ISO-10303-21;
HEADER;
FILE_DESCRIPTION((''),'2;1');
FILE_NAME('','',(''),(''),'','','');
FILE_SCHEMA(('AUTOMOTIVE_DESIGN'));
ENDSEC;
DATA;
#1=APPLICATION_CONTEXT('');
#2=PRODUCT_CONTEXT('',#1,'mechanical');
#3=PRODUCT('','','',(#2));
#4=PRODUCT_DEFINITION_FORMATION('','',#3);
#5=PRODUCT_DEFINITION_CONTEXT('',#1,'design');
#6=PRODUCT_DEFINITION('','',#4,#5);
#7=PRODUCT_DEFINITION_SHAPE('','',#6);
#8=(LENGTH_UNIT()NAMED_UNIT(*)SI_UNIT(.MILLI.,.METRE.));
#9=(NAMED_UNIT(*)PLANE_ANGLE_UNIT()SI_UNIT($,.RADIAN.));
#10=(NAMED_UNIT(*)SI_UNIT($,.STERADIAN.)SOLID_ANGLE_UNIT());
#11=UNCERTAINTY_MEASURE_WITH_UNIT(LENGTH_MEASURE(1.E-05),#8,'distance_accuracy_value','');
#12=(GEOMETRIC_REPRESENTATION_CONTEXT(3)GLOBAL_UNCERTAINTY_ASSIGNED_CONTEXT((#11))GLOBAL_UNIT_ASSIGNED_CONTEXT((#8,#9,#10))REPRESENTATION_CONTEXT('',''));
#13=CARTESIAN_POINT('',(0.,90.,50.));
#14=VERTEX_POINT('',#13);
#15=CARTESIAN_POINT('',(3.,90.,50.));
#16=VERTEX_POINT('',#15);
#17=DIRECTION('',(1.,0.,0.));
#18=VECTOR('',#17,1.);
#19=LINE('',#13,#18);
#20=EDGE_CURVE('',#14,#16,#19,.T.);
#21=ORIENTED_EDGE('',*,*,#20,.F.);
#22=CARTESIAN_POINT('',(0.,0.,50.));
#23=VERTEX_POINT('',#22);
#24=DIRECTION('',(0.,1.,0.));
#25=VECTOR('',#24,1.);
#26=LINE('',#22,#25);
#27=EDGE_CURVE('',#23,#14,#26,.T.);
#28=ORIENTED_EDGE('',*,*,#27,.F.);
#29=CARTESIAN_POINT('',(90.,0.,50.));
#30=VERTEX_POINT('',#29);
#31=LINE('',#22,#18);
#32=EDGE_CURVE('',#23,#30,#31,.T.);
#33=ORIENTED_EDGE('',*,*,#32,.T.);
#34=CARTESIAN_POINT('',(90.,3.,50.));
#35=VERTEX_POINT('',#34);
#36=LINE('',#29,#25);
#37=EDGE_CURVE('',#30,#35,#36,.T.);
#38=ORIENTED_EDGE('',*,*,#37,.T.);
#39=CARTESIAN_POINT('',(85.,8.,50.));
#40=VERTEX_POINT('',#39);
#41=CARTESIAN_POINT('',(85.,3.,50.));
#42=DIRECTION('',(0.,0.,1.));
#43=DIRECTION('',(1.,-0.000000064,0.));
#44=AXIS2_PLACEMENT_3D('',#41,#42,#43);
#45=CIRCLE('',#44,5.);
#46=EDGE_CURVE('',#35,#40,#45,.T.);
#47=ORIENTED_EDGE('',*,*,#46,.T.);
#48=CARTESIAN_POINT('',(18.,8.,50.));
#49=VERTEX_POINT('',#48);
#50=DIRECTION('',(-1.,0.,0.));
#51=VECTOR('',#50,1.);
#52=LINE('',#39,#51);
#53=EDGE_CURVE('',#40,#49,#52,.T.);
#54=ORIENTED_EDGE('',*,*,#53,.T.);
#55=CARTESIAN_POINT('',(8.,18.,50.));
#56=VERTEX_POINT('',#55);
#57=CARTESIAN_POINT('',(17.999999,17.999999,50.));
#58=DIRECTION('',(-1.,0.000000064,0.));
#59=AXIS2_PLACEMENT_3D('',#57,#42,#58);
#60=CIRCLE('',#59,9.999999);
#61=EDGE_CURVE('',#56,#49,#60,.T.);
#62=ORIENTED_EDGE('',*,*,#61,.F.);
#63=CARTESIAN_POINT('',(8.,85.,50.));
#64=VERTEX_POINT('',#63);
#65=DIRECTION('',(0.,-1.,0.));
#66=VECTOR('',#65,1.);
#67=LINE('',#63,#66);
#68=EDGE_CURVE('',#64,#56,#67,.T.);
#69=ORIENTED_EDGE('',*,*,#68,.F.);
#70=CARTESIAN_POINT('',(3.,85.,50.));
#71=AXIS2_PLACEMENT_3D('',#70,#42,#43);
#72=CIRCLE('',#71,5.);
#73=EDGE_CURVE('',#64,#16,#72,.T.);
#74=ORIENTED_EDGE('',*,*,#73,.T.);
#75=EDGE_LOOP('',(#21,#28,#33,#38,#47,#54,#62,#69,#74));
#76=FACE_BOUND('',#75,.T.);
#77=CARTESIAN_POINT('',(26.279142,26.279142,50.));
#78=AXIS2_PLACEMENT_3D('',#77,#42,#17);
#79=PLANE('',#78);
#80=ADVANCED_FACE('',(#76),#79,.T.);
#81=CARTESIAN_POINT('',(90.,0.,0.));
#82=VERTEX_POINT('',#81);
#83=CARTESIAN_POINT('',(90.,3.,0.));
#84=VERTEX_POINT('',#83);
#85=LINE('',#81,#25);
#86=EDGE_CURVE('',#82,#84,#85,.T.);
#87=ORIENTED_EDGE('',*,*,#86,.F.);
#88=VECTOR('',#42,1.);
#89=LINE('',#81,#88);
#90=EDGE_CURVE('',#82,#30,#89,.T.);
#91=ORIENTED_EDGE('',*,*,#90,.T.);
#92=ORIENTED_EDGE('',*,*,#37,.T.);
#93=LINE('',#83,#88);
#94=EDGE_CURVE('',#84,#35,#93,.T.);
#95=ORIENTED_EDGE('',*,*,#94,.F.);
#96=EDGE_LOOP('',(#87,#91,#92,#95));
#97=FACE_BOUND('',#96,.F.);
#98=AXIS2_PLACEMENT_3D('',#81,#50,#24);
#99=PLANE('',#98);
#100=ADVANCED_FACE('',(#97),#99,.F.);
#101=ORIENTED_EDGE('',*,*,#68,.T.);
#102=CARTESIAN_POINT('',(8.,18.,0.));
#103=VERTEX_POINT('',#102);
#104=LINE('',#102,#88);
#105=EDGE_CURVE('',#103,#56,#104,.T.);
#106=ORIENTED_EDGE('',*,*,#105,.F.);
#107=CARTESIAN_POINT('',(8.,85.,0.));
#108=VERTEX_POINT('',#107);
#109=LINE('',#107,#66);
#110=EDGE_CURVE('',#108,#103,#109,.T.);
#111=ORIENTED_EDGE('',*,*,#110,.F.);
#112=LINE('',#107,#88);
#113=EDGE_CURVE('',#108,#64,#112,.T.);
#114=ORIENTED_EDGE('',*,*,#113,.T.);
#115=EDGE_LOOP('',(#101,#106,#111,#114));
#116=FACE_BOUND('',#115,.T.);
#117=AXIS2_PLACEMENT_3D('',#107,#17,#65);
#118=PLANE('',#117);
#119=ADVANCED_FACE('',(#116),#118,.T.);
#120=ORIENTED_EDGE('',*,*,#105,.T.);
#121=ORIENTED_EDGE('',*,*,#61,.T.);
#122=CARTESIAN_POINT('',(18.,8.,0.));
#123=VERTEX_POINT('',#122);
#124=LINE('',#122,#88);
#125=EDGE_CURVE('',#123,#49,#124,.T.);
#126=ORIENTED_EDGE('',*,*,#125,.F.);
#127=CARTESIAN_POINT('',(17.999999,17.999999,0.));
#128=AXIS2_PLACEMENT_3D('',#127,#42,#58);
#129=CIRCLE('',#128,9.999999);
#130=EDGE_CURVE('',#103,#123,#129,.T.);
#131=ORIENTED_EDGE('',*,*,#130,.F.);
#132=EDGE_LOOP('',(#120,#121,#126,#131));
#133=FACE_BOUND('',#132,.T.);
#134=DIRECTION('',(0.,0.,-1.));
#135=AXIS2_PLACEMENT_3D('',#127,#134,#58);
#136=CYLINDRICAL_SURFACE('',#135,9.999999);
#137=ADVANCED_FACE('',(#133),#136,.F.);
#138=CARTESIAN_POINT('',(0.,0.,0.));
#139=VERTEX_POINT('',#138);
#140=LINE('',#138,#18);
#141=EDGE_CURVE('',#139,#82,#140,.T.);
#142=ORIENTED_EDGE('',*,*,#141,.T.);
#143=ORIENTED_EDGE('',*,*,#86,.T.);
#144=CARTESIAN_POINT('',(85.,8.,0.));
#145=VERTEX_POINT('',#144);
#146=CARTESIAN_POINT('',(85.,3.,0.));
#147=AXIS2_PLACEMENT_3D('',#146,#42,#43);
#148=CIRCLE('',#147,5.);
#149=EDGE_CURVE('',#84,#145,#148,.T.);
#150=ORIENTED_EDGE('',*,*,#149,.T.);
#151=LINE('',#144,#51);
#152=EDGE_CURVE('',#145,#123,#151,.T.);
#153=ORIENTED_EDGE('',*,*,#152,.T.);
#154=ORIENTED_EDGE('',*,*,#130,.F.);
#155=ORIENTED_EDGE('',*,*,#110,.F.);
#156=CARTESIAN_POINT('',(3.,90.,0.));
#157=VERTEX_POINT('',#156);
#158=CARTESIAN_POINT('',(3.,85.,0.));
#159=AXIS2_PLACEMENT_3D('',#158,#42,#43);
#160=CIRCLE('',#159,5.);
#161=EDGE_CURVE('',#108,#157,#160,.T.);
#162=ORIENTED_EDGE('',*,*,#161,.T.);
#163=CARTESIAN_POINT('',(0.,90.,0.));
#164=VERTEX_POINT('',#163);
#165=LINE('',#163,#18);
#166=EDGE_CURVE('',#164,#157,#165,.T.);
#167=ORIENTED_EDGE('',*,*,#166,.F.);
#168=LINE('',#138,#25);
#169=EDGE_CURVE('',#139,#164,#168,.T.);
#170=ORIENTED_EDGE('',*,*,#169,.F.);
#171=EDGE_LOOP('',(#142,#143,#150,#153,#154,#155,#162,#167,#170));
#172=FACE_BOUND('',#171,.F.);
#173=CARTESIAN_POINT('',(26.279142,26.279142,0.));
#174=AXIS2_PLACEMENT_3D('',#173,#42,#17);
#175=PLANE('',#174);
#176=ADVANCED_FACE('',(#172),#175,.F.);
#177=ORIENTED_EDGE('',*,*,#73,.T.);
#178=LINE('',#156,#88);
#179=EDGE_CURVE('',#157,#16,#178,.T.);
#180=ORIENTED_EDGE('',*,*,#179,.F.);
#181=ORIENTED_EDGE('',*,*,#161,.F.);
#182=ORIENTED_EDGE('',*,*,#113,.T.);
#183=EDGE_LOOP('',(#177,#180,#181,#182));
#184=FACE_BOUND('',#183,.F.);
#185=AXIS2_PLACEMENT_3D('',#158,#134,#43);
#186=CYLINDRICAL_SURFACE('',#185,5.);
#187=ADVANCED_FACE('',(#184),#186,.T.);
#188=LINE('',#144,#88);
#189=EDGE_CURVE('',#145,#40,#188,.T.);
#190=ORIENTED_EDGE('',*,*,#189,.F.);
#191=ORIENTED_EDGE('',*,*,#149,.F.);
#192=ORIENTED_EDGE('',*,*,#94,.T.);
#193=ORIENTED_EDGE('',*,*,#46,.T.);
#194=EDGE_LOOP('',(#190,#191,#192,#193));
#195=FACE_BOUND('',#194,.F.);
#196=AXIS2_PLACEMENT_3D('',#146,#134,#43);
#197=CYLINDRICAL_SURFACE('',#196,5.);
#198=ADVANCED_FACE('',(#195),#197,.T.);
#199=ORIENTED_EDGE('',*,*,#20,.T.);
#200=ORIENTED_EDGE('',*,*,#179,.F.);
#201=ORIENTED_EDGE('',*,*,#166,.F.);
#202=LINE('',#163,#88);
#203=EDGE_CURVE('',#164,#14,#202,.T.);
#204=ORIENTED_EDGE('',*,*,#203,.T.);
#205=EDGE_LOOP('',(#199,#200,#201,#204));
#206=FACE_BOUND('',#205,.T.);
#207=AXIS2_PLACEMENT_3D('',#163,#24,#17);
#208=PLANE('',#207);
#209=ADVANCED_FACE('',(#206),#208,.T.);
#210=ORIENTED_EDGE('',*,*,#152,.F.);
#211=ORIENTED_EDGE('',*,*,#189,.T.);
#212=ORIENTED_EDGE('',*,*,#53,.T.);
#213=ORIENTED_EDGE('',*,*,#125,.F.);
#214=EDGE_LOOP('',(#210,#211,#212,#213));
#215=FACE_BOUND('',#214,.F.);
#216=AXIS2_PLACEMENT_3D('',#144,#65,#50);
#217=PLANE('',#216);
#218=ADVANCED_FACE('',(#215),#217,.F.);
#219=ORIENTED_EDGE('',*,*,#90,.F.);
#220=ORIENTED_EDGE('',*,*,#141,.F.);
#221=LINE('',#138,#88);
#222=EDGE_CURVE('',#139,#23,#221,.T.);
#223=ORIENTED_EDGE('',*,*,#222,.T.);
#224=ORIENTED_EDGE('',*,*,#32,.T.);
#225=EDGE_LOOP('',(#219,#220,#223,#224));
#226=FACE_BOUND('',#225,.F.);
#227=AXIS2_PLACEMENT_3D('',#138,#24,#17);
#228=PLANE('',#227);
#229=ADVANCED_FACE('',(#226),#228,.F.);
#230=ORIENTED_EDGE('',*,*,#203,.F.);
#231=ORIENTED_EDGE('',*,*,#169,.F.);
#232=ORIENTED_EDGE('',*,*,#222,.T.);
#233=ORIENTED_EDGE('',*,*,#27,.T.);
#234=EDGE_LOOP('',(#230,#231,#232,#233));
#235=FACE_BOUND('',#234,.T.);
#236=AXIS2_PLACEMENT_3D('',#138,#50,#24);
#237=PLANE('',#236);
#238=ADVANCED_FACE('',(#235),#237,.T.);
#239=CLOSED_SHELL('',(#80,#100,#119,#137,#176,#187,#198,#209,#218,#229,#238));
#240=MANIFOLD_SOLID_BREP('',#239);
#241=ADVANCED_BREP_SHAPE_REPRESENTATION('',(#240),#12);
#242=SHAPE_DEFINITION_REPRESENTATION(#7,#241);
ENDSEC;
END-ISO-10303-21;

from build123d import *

# Parameters (mm, degrees)
EXTRUDE_DEPTH = 50


with BuildPart() as part:
    # Sketch → Extrude (new body)
    with BuildSketch(Plane.XY):
        with BuildLine():
            Line((0, 0), (90, 0))
            Line((90, 0), (90, 3))
            ThreePointArc((90, 3), (88.535534, 6.535534), (85, 8))
            Line((85, 8), (18, 8))
            ThreePointArc((8, 18), (10.928932, 10.928932), (18, 8))
            Line((8, 85), (8, 18))
            ThreePointArc((8, 85), (6.535534, 88.535534), (3, 90))
            Line((0, 90), (3, 90))
            Line((0, 0), (0, 90))
        make_face()
    extrude(amount=EXTRUDE_DEPTH)


solid = part.part
